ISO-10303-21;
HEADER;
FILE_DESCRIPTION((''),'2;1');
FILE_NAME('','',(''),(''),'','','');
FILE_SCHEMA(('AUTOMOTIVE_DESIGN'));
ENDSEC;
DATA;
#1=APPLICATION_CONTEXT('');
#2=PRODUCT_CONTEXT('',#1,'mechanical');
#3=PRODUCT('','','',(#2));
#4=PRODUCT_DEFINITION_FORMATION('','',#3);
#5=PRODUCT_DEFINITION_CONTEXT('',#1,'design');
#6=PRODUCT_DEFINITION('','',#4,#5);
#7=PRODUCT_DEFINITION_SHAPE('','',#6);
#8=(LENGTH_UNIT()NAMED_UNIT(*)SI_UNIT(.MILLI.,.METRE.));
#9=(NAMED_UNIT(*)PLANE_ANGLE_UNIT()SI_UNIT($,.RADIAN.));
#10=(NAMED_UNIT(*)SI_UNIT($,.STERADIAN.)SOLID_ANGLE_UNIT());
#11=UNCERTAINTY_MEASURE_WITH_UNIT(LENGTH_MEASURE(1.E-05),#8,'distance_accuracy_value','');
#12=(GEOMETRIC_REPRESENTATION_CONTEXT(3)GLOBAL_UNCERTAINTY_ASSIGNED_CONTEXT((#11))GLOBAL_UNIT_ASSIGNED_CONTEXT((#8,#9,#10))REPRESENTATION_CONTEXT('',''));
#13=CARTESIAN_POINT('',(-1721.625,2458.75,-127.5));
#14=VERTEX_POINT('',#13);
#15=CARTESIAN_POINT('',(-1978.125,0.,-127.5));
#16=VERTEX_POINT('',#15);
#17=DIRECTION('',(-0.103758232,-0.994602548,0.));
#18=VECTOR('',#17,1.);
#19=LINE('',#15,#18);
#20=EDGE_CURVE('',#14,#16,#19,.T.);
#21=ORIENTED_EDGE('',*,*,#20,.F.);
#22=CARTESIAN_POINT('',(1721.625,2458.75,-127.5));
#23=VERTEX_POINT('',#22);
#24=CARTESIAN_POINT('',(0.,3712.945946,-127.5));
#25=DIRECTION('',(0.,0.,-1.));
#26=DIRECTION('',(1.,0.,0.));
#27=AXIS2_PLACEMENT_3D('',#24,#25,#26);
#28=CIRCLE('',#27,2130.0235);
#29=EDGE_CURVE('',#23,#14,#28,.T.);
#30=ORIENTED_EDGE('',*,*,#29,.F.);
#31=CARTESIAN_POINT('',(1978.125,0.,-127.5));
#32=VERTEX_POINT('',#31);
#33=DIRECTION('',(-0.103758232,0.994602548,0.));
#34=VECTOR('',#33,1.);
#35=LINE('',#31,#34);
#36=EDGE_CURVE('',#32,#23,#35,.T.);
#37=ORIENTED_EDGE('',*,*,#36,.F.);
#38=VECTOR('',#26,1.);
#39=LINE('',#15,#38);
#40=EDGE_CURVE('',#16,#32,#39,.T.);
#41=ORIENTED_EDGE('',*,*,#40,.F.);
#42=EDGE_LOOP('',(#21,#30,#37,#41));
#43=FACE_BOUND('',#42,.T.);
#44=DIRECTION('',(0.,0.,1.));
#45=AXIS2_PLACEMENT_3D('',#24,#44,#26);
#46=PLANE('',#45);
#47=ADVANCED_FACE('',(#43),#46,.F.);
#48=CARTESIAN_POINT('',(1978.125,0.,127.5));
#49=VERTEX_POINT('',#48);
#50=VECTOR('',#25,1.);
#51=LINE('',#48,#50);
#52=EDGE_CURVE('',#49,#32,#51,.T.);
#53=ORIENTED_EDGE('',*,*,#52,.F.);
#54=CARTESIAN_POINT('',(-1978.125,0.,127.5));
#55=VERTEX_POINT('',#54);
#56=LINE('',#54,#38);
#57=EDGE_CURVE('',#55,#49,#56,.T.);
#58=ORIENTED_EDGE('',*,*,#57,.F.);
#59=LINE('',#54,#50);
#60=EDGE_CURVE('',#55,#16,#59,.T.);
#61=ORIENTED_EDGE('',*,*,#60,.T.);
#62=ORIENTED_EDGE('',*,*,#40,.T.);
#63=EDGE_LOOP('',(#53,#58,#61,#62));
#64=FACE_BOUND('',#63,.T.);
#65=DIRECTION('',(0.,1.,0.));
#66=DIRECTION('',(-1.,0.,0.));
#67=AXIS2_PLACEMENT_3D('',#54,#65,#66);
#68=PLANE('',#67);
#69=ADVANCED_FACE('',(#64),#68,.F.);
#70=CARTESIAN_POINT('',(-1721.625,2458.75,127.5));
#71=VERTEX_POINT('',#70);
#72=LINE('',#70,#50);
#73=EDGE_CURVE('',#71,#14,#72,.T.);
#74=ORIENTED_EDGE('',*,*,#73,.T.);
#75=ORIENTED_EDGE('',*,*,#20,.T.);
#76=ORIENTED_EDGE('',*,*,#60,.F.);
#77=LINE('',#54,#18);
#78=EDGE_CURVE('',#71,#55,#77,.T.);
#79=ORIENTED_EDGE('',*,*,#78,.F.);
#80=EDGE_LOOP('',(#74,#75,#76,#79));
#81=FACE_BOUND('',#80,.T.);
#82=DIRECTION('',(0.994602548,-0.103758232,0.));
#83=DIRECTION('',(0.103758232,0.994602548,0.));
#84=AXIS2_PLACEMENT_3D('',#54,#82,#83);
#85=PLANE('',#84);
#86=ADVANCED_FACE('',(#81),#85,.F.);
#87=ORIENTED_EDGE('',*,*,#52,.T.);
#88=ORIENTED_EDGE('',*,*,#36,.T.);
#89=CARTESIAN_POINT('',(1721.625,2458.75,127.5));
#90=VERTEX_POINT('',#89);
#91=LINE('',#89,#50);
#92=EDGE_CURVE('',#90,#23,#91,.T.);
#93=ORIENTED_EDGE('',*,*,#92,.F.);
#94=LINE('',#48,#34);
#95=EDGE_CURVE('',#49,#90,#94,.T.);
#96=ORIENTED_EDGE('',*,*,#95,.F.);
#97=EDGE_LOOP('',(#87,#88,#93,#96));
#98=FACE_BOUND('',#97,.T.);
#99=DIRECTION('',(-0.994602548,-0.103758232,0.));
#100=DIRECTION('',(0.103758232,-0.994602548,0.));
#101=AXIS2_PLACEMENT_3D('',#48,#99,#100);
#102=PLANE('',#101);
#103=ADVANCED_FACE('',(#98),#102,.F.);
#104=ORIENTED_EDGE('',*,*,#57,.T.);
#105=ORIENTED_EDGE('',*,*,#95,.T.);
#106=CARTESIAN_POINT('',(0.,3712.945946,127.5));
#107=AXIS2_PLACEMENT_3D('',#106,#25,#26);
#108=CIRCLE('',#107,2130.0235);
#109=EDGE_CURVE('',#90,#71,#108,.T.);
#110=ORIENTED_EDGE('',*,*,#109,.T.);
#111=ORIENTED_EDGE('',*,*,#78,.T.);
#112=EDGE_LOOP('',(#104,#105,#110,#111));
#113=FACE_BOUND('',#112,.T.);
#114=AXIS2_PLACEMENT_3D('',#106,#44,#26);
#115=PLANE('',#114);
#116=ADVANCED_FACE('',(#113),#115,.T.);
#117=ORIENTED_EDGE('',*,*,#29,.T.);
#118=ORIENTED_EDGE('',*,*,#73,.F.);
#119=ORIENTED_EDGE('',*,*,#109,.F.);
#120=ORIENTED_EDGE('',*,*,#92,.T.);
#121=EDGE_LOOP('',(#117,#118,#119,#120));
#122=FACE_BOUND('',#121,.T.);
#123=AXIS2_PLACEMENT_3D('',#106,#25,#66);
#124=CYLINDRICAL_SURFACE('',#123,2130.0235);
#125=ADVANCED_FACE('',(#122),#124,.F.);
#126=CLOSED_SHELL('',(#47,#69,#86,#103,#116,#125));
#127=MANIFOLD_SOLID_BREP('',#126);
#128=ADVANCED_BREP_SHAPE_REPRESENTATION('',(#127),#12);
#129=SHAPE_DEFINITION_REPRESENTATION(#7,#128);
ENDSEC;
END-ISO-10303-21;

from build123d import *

# Parameters (mm, degrees)
BOSS_EXTRUDE1_DEPTH = 127.5


with BuildPart() as part:
    # Sketch1 → Boss-Extrude1 (new, symmetric)
    with BuildSketch(Plane.XY):
        with BuildLine():
            Line((-1978.125, 0), (1978.125, 0))
            Line((1978.125, 0), (1721.625, 2458.75))
            ThreePointArc((1721.625, 2458.75), (0, 1582.922445587), (-1721.625, 2458.75))
            Line((-1721.625, 2458.75), (-1978.125, 0))
        make_face()
    extrude(amount=BOSS_EXTRUDE1_DEPTH, both=True)


solid = part.part
